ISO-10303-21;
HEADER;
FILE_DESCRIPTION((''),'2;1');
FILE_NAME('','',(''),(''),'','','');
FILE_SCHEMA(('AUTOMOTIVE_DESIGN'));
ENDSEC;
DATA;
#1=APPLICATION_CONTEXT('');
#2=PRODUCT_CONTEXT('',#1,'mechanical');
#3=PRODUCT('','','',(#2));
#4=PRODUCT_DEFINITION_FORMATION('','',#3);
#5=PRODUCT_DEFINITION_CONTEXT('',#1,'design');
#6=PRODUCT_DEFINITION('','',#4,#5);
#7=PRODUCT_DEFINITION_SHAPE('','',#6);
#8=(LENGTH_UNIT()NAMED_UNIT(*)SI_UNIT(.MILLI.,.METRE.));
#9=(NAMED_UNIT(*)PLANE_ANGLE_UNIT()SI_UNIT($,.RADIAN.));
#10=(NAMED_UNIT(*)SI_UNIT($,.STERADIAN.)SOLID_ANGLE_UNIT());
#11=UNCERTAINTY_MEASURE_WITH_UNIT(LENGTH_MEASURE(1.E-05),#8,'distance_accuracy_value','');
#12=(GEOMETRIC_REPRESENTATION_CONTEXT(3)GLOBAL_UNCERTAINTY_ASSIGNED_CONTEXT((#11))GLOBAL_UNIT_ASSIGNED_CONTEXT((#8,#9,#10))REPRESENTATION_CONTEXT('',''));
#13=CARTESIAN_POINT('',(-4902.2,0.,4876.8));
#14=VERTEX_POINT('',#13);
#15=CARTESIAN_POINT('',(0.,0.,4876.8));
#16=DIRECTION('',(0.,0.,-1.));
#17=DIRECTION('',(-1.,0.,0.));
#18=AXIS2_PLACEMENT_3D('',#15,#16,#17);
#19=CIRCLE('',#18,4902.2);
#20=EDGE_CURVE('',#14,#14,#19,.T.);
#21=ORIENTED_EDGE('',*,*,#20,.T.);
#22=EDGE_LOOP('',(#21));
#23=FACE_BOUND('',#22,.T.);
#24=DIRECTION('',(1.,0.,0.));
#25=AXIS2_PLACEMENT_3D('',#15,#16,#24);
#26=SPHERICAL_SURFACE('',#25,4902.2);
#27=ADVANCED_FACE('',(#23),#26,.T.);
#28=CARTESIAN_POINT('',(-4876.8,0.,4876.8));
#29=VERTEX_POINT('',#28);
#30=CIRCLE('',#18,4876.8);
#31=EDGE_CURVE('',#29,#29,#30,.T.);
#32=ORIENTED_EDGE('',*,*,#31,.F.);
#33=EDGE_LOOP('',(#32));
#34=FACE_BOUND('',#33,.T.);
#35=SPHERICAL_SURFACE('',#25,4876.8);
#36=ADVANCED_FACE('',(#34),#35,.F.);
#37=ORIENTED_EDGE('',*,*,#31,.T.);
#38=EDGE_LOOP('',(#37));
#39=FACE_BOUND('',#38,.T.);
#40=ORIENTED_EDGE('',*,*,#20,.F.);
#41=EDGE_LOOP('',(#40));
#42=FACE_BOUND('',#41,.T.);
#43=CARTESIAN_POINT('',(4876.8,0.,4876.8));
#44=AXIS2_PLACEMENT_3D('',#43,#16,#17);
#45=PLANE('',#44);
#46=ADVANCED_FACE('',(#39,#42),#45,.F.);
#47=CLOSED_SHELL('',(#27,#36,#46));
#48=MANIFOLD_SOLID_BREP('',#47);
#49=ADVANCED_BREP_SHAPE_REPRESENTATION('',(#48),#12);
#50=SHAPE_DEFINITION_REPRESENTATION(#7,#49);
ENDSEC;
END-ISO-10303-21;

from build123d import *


with BuildPart() as part:
    # Sketch1 → Revolve2 (revolve)
    with BuildSketch(Plane(origin=(0, 0, 0), x_dir=(1, 0, 0), z_dir=(0, 1, 0))):
        with BuildLine():
            Line((0, 0), (0, 25.4))
            ThreePointArc((0, 25.4), (3466.378862733, -1410.421137267), (4902.2, -4876.8))
            Line((4902.2, -4876.8), (4876.8, -4876.8))
            ThreePointArc((4876.8, -4876.8), (3448.418350491, -1428.381649509), (0, 0))
        make_face()
    revolve(axis=Axis((0, 0, 0), (0, 0, 1)))


solid = part.part
